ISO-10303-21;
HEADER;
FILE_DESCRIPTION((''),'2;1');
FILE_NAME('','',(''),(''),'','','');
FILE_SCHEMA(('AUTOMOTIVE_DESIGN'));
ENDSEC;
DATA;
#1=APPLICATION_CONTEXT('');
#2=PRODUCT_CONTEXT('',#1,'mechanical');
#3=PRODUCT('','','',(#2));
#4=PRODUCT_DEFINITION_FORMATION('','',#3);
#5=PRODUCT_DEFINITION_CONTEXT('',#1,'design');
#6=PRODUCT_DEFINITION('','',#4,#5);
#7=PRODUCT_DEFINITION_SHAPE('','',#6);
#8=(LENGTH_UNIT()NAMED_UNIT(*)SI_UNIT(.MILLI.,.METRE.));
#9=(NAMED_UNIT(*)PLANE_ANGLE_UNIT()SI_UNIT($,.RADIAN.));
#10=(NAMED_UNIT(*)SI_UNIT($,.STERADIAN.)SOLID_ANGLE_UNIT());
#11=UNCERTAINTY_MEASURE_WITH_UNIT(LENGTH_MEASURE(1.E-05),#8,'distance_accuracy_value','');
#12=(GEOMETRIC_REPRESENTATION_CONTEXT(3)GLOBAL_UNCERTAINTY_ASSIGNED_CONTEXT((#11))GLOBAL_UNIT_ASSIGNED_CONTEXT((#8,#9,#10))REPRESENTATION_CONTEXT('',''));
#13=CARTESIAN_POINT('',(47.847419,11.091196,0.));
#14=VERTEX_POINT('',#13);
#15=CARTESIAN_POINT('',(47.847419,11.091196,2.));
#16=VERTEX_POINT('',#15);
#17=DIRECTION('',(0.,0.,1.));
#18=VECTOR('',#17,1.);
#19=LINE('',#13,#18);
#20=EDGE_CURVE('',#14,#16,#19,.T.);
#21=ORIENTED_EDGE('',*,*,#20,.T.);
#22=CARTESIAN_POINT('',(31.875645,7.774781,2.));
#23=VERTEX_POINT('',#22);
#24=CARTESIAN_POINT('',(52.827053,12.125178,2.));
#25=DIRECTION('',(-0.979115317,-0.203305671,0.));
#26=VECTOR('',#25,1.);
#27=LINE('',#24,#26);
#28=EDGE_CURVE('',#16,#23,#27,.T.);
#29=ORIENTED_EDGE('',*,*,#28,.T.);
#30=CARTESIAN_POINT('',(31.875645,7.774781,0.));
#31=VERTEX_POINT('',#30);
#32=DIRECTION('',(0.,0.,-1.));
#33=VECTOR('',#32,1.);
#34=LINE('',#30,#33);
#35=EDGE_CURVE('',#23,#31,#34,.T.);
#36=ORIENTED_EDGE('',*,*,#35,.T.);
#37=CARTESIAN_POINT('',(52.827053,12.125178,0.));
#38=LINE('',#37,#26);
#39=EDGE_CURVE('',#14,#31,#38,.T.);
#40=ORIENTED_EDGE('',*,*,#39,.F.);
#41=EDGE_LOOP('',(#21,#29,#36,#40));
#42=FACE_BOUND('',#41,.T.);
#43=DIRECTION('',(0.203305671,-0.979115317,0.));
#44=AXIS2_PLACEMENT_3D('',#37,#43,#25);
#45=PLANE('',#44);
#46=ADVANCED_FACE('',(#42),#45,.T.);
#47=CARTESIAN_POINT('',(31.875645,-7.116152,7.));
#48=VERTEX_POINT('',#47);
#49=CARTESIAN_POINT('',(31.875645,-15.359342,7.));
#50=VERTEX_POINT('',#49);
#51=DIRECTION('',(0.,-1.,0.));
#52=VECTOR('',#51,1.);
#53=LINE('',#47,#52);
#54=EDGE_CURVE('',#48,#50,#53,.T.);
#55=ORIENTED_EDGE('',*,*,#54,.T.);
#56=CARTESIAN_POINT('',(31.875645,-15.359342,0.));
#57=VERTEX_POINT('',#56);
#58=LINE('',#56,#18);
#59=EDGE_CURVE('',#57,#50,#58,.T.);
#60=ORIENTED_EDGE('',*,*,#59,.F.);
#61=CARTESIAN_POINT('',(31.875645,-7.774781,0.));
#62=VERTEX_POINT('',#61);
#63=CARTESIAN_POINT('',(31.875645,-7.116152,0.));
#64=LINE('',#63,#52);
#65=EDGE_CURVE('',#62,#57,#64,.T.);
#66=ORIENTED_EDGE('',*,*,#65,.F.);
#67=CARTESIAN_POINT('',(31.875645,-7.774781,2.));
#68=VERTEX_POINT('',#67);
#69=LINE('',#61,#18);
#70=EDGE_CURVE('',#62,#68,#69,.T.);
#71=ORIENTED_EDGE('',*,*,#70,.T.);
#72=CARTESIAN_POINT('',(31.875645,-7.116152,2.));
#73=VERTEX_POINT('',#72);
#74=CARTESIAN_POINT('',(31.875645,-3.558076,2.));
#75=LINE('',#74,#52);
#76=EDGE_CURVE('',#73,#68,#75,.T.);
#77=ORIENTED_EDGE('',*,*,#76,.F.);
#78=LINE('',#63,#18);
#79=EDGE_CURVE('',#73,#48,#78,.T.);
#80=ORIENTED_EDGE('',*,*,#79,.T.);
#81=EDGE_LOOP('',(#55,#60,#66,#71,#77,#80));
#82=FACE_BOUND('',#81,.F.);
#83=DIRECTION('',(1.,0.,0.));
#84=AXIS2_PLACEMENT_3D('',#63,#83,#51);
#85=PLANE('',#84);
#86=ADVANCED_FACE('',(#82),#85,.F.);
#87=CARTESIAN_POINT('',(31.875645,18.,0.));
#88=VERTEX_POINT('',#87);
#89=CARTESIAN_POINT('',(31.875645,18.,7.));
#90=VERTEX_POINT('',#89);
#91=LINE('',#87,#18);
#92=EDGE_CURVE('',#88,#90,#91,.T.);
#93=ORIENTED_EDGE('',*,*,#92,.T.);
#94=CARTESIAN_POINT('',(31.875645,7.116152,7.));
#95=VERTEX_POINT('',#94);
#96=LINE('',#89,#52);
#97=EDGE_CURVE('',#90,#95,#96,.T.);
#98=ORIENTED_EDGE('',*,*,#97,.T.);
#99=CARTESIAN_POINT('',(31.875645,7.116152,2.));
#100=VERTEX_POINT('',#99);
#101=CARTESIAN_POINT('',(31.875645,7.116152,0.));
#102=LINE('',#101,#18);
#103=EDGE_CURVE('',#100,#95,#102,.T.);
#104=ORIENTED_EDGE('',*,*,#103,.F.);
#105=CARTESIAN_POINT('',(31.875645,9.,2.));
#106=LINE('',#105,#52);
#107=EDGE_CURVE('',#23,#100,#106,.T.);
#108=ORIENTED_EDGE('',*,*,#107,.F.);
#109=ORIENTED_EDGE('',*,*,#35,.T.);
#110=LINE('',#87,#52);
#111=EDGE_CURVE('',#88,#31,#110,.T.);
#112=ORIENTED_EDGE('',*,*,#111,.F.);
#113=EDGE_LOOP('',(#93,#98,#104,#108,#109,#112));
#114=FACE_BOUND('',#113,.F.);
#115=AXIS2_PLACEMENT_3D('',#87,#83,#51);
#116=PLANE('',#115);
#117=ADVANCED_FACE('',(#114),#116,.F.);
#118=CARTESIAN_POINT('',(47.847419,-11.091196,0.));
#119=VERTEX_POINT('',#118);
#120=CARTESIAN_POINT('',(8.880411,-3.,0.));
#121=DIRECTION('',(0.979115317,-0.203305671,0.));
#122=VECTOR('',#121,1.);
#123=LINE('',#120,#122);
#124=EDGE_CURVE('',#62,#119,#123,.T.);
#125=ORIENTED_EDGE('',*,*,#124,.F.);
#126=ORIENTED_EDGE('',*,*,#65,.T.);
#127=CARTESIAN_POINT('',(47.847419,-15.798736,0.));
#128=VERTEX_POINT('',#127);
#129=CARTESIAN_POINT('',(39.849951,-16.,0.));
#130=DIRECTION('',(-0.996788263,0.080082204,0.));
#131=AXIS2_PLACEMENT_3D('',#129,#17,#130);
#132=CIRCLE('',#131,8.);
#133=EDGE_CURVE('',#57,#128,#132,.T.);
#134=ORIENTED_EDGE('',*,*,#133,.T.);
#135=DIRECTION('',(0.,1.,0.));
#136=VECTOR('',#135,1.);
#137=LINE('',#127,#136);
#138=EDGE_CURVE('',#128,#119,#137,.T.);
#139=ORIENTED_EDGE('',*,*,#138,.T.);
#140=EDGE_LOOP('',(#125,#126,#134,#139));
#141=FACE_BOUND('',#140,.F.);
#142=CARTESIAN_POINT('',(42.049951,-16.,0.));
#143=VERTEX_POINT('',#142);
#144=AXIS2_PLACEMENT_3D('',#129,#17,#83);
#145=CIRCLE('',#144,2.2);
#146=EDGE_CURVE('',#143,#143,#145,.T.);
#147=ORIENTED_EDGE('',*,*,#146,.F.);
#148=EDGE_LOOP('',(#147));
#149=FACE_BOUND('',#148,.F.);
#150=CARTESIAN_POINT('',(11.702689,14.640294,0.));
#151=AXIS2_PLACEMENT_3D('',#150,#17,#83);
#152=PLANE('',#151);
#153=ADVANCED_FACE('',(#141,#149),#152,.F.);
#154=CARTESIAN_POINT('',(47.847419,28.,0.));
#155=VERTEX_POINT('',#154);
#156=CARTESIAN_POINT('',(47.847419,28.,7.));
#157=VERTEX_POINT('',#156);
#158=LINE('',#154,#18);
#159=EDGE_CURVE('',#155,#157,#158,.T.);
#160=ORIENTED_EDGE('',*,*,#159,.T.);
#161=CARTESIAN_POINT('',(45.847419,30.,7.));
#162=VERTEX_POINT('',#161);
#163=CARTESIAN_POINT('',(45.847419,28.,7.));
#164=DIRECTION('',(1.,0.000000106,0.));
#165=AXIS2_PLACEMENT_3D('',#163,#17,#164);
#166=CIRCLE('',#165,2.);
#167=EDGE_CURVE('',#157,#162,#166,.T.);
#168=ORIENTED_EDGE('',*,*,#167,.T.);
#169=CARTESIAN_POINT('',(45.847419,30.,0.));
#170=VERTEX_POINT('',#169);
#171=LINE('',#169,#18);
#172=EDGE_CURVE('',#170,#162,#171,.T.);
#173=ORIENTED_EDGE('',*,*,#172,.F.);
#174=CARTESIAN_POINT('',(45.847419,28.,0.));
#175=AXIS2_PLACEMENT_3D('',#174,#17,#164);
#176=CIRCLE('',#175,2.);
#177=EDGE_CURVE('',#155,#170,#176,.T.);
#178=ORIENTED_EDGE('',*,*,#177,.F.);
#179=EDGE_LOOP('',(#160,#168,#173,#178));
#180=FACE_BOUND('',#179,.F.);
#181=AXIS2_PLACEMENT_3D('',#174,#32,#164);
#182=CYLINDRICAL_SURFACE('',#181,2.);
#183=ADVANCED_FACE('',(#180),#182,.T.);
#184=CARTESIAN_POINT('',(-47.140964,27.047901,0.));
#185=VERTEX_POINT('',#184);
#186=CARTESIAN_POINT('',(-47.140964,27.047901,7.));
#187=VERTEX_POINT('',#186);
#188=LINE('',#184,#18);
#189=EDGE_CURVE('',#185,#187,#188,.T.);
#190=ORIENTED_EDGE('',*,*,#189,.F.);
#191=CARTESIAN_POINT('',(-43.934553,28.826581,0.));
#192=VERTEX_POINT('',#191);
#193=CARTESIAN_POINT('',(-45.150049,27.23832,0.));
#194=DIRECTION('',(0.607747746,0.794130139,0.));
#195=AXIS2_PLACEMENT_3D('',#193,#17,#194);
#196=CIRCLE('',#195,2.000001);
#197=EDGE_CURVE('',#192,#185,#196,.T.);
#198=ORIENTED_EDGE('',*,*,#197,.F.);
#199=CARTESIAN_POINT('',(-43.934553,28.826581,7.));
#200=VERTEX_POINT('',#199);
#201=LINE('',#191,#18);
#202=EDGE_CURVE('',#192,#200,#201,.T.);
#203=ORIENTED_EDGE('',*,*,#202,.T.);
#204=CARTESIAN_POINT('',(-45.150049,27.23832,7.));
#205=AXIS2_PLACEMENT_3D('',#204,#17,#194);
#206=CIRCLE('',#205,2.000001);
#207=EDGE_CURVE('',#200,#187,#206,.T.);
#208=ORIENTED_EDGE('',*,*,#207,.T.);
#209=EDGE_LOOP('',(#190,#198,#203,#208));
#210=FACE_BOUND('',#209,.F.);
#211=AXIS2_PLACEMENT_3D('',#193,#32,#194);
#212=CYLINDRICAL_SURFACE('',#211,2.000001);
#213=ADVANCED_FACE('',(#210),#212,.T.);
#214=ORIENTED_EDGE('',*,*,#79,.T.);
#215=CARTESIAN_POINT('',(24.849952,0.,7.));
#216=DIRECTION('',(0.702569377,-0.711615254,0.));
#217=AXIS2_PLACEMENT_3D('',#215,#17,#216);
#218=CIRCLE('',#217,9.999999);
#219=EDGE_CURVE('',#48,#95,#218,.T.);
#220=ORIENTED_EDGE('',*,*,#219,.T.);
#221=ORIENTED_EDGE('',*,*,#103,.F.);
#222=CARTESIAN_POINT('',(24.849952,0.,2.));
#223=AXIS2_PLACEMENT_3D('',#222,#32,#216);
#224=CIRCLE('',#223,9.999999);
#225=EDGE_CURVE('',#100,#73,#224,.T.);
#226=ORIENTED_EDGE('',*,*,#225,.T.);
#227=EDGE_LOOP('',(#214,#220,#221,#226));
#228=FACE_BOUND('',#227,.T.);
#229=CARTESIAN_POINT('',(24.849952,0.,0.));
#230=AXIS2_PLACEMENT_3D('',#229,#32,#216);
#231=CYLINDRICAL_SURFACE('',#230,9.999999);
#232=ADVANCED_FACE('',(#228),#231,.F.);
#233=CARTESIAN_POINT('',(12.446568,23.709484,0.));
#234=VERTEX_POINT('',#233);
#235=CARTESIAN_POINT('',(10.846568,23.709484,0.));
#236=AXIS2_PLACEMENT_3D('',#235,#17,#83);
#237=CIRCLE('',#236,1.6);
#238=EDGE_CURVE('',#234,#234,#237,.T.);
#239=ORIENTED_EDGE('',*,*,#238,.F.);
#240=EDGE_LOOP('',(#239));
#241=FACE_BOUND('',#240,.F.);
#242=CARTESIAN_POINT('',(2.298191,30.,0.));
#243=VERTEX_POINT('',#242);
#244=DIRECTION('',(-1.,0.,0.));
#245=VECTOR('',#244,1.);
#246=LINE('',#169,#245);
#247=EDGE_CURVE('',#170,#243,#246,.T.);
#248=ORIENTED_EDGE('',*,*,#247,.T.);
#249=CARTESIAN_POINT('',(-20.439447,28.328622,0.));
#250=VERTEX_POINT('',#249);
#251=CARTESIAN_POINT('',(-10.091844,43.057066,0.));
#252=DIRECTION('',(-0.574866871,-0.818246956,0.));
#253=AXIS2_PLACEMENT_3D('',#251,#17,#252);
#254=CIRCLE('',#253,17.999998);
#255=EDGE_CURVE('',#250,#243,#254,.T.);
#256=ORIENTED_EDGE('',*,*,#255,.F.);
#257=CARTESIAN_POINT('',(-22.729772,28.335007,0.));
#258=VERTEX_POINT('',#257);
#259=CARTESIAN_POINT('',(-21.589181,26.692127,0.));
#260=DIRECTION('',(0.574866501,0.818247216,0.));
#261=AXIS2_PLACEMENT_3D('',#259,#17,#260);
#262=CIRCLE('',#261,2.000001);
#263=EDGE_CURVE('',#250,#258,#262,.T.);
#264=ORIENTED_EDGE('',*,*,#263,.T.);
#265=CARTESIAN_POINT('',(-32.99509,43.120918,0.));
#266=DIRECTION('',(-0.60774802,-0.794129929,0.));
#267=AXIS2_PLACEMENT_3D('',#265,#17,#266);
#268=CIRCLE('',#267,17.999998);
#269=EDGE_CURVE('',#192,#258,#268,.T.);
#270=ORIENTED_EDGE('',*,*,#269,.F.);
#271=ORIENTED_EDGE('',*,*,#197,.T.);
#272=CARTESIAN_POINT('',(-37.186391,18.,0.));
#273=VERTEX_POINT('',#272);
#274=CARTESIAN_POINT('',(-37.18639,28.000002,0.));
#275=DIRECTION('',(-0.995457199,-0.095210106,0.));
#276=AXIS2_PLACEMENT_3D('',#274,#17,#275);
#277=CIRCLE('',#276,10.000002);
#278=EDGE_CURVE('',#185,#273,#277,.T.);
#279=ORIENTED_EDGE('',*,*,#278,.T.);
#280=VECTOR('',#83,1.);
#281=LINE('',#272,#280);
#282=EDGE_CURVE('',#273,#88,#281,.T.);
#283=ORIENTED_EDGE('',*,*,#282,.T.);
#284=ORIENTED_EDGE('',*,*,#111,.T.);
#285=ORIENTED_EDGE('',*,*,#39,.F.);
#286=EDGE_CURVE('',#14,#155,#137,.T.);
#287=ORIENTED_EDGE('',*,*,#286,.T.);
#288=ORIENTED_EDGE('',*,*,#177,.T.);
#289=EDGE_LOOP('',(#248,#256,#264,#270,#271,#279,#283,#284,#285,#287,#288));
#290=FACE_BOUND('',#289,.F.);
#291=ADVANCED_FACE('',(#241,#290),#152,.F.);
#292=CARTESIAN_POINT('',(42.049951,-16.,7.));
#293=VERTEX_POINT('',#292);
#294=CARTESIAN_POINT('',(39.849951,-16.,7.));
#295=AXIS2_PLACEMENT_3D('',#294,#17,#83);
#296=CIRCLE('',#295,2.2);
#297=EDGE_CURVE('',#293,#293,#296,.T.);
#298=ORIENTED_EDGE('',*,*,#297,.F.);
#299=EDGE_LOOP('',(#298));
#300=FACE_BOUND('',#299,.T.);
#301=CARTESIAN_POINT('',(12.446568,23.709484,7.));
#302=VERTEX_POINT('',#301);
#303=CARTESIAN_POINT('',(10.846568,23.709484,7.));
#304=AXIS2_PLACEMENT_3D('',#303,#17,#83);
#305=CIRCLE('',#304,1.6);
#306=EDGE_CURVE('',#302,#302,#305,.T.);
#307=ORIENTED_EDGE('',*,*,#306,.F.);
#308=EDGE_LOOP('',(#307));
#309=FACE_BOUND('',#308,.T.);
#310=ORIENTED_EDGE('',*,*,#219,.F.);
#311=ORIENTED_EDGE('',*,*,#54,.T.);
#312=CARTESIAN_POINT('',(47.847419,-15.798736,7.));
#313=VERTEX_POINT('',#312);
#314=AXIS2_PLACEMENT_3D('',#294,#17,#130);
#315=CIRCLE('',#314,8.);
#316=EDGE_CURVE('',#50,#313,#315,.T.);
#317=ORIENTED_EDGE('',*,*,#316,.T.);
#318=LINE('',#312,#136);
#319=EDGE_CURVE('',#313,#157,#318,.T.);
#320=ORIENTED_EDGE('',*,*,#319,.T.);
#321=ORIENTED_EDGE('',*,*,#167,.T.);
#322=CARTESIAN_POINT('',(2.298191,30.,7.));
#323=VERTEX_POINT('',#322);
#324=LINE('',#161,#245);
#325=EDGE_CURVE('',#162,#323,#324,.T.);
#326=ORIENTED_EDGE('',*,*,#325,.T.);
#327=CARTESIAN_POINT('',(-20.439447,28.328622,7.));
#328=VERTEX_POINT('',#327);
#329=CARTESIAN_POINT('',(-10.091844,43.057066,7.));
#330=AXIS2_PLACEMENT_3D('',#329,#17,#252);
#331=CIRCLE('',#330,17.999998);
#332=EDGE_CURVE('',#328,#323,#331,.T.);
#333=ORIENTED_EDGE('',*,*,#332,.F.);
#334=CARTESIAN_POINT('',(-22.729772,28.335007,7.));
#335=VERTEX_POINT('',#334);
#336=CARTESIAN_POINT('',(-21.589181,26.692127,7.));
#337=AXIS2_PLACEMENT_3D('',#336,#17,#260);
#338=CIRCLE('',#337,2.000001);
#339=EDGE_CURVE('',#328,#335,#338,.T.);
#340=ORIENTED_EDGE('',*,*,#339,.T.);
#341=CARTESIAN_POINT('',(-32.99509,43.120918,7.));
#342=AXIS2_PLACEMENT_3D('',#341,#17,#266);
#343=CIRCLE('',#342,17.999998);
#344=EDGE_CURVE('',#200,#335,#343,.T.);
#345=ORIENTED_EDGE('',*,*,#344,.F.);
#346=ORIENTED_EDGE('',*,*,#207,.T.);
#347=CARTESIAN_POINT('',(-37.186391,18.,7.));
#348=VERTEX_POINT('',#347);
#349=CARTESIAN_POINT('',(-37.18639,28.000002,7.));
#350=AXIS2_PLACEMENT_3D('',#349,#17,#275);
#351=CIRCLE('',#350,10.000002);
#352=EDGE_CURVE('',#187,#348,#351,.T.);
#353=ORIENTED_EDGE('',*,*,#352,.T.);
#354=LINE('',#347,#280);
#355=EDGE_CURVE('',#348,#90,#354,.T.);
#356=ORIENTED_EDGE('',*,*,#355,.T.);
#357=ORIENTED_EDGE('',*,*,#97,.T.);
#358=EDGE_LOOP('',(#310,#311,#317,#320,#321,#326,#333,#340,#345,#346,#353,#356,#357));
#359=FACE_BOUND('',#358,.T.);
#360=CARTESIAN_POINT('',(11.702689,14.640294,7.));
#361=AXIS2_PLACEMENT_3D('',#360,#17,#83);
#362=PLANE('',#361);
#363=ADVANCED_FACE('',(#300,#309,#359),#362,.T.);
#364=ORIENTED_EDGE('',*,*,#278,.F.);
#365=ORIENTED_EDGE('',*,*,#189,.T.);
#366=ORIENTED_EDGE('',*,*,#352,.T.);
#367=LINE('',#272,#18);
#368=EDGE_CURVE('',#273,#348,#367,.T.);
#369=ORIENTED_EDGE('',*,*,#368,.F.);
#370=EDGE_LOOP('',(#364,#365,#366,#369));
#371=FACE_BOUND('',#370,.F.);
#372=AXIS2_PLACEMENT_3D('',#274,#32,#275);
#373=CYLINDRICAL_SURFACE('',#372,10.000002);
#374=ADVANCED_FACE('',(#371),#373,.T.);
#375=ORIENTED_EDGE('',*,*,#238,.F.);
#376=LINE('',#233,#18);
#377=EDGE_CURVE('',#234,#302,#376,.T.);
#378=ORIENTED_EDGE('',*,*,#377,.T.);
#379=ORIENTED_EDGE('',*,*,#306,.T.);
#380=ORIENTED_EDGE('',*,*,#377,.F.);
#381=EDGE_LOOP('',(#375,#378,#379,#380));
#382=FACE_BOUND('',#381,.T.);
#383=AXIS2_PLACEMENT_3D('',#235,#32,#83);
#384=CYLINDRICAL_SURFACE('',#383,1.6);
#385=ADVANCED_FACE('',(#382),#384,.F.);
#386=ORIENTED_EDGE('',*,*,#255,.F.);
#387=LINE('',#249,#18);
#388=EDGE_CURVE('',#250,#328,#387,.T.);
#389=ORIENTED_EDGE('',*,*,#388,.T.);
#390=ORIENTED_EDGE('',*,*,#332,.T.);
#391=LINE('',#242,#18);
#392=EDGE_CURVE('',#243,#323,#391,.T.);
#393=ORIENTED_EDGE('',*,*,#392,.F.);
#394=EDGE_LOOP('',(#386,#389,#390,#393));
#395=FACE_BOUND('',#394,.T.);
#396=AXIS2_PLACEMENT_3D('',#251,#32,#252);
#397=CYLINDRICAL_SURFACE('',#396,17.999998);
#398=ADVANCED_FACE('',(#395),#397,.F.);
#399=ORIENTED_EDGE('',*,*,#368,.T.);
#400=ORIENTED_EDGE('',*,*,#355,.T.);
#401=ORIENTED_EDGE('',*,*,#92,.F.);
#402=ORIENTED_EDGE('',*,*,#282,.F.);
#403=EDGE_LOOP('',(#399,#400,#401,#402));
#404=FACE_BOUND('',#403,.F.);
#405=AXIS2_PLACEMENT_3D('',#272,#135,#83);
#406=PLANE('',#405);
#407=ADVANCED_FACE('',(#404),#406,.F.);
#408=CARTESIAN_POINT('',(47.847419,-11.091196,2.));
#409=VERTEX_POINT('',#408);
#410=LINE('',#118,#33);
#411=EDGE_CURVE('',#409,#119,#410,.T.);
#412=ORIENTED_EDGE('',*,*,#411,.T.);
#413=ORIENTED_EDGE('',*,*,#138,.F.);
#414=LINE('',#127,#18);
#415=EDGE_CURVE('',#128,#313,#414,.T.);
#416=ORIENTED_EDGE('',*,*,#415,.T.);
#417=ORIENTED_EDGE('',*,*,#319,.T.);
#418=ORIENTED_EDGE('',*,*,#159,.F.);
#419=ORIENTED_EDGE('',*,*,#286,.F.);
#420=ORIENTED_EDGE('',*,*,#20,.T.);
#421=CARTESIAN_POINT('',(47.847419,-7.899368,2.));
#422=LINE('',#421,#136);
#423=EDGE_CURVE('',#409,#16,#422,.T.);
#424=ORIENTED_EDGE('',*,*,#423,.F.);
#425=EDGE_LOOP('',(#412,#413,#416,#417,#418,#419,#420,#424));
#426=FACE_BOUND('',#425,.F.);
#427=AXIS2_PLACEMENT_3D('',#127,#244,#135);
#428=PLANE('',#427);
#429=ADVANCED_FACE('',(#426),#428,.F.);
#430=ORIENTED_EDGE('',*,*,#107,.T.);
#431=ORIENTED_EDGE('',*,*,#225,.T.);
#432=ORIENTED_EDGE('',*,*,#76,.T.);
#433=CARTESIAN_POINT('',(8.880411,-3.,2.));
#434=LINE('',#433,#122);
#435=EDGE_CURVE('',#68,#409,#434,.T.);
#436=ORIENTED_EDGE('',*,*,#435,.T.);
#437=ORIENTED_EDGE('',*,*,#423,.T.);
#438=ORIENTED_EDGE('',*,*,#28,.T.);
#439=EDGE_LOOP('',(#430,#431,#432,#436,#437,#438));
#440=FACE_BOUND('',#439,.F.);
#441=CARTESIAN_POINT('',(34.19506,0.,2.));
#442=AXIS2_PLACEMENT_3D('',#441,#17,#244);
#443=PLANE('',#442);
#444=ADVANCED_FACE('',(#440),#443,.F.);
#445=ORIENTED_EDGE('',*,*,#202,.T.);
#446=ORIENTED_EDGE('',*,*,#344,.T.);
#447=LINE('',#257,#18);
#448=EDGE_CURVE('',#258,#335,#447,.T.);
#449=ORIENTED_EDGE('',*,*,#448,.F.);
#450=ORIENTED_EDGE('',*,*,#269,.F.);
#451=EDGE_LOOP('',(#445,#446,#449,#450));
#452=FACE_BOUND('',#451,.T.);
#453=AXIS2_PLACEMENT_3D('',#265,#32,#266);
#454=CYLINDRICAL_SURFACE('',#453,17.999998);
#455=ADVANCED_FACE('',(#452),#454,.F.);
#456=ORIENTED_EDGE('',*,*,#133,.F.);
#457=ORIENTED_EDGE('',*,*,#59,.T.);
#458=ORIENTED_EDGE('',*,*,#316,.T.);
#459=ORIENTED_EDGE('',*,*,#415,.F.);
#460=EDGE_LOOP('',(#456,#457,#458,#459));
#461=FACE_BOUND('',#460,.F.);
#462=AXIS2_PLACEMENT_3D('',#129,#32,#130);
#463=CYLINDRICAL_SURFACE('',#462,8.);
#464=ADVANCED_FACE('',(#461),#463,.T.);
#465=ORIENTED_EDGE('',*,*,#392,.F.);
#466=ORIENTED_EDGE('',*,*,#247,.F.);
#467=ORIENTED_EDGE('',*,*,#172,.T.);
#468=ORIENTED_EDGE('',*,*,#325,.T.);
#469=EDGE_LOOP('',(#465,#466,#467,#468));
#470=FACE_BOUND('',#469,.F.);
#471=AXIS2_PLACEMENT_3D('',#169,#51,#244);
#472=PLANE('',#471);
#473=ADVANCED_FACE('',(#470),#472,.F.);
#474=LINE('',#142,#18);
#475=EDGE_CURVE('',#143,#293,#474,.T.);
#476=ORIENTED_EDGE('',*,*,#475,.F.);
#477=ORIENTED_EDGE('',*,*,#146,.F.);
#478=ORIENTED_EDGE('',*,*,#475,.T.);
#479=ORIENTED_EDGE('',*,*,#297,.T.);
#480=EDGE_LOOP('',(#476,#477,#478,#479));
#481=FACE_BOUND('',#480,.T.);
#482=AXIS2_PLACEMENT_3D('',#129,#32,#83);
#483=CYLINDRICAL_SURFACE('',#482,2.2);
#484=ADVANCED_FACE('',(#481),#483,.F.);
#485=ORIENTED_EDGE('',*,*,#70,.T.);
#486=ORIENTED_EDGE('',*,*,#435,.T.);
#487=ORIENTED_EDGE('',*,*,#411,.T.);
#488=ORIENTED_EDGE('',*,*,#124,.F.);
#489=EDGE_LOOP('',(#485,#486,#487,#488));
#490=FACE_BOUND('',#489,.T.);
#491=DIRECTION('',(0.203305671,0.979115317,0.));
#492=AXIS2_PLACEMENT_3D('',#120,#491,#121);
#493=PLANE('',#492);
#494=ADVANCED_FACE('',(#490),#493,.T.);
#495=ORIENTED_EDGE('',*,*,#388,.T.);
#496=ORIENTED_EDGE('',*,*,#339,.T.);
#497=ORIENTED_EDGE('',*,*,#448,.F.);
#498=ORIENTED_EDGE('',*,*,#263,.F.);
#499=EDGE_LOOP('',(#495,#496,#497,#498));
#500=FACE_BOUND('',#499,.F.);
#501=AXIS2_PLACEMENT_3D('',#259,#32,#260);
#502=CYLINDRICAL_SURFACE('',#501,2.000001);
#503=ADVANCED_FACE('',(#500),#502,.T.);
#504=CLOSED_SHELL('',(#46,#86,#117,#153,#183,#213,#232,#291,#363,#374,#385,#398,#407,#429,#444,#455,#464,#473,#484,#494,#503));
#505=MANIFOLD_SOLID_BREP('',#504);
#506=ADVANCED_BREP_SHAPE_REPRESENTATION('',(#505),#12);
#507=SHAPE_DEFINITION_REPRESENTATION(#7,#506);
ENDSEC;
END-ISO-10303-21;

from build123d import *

# Parameters (mm, degrees)
SKETCH_R     = 2.2
SKETCH_R_2   = 1.6
PAD_DEPTH    = 7
POCKET_DEPTH = 2


with BuildPart() as part:
    # Sketch → Pad (new body)
    with BuildSketch(Plane.XY):
        with BuildLine():
            Line((-37.186391, 18), (31.875645, 18))
            Line((31.875645, 18), (31.875645, 7.116152))
            ThreePointArc((31.875645, -7.116152), (34.849951, 0), (31.875645, 7.116152))
            Line((31.875645, -7.116152), (31.875645, -15.359342))
            ThreePointArc((31.875645, -15.359342), (39.629949, -23.996974), (47.847419, -15.798736))
            Line((47.847419, -15.798736), (47.847419, 28))
            ThreePointArc((47.847419, 28), (47.261632, 29.414214), (45.847419, 30))
            Line((45.847419, 30), (2.298191, 30))
            ThreePointArc((-20.439447, 28.328622), (-8.772276, 25.105501), (2.298191, 30))
            ThreePointArc((-20.439447, 28.328622), (-21.583605, 28.69212), (-22.729772, 28.335007))
            ThreePointArc((-43.934553, 28.826581), (-33.412258, 25.125755), (-22.729772, 28.335007))
            ThreePointArc((-43.934553, 28.826581), (-46.120226, 28.987251), (-47.140964, 27.047901))
            ThreePointArc((-47.140964, 27.047901), (-43.912423, 20.599967), (-37.186391, 18))
        make_face()
        with Locations((39.849951, -16)):
            Circle(SKETCH_R, mode=Mode.SUBTRACT)
        with Locations((10.846568, 23.709484)):
            Circle(SKETCH_R_2, mode=Mode.SUBTRACT)
    extrude(amount=PAD_DEPTH)

    # Sketch001 → Pocket (cut)
    with BuildSketch(Plane(origin=(0, 0, 0), x_dir=(1, 0, 0), z_dir=(0, 0, -1))):
        Polygon((8.880411, 3), (52.827053, 12.125178), (52.827053, -12.125178), (8.880411, -3), align=None)
    extrude(amount=-POCKET_DEPTH, mode=Mode.SUBTRACT)


solid = part.part
